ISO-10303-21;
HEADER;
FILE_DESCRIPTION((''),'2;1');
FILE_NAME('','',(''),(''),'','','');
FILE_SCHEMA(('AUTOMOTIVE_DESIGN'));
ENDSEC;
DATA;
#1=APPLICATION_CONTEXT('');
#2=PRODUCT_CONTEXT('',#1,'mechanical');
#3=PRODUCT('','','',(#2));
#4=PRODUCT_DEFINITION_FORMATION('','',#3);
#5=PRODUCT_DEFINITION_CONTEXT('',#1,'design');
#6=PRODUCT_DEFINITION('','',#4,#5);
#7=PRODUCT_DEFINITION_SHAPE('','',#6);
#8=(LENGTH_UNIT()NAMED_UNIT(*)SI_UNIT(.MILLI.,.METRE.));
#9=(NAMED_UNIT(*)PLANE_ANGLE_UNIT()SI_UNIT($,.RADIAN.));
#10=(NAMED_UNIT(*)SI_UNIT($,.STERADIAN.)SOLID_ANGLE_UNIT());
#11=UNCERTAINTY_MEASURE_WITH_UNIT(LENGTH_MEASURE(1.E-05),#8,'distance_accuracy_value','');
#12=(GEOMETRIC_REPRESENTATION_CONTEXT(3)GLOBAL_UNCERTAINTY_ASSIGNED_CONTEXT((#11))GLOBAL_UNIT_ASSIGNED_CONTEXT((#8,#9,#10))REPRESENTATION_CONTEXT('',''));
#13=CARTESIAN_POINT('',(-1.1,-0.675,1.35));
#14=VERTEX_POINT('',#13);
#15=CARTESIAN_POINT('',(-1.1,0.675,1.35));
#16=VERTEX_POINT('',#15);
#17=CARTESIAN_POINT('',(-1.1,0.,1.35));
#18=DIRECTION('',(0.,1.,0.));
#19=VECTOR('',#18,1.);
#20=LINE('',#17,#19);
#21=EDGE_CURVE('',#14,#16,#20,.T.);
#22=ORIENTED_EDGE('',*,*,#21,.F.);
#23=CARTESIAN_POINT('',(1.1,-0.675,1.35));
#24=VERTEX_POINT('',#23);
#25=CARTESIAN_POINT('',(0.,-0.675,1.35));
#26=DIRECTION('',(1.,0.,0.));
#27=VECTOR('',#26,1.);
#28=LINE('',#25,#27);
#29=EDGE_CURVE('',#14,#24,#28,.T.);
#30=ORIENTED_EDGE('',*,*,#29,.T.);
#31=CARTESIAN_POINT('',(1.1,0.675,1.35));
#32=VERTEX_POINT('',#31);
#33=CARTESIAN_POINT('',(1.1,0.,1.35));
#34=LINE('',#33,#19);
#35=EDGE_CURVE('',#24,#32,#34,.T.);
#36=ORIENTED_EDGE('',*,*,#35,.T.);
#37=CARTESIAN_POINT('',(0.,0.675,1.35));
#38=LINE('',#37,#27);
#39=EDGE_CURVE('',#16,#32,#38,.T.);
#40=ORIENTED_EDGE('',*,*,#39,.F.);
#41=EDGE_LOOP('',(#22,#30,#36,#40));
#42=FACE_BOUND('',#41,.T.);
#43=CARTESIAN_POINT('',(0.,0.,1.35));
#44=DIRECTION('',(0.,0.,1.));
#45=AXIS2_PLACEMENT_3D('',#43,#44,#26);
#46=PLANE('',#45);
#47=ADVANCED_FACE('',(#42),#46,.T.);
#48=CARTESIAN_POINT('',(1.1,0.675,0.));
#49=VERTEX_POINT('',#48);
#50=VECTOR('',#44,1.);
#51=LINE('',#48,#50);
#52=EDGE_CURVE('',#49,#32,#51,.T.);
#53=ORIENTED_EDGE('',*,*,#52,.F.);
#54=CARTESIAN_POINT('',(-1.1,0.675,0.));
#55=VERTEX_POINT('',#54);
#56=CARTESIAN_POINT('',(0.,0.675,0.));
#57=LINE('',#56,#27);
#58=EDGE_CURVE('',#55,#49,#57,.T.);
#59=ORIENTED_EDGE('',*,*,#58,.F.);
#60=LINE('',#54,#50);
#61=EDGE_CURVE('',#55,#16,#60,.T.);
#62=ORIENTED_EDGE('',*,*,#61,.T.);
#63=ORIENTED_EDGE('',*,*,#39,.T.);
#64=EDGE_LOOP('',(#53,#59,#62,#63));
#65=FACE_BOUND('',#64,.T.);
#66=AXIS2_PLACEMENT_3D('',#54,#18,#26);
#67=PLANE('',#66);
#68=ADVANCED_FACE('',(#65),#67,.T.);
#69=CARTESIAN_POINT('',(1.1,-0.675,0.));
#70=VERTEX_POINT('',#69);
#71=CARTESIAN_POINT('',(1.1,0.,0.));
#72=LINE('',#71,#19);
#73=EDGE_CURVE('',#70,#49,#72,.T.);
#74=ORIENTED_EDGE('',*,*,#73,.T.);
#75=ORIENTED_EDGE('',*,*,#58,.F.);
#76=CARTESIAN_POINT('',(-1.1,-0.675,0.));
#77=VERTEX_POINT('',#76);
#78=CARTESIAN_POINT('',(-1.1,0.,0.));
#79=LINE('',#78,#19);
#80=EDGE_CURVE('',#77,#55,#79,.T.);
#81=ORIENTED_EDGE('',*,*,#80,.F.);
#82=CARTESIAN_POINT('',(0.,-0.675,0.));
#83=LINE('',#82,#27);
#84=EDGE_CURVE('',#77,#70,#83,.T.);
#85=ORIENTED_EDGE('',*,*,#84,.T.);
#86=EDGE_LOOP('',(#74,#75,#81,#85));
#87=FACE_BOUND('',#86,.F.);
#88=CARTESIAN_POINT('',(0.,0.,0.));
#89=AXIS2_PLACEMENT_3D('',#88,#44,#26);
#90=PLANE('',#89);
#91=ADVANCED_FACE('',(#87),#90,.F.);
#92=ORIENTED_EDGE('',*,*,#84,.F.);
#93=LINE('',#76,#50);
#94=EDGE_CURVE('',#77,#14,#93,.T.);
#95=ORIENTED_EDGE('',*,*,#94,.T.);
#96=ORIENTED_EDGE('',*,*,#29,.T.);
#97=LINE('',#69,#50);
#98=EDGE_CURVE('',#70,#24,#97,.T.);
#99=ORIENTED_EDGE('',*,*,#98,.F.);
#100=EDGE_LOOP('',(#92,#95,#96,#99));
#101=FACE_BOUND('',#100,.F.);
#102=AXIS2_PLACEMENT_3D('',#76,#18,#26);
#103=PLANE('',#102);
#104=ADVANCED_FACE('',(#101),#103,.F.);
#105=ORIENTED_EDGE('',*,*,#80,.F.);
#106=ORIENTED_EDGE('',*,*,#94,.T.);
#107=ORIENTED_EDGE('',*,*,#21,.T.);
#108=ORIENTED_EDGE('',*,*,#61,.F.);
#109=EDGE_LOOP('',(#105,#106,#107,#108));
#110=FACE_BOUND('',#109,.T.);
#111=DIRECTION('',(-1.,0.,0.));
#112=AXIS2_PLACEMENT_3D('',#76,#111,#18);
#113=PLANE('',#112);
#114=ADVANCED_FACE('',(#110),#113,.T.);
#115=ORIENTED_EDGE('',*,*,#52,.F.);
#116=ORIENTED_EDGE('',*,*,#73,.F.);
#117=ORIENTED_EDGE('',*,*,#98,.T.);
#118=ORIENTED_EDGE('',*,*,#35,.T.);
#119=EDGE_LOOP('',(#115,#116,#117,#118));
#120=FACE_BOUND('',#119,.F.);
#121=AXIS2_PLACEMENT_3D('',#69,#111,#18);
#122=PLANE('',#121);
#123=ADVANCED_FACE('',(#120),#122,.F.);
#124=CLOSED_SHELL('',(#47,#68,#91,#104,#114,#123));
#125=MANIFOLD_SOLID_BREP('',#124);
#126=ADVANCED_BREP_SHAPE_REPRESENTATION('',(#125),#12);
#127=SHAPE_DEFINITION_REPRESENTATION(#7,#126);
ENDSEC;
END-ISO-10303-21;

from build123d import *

# Parameters (mm, degrees)
SKETCH_W  = 2.2
SKETCH_H  = 1.35
PAD_DEPTH = 1.35


with BuildPart() as part:
    # Sketch → Pad (new body)
    with BuildSketch(Plane.XY):
        Rectangle(SKETCH_W, SKETCH_H)
    extrude(amount=PAD_DEPTH)


solid = part.part
